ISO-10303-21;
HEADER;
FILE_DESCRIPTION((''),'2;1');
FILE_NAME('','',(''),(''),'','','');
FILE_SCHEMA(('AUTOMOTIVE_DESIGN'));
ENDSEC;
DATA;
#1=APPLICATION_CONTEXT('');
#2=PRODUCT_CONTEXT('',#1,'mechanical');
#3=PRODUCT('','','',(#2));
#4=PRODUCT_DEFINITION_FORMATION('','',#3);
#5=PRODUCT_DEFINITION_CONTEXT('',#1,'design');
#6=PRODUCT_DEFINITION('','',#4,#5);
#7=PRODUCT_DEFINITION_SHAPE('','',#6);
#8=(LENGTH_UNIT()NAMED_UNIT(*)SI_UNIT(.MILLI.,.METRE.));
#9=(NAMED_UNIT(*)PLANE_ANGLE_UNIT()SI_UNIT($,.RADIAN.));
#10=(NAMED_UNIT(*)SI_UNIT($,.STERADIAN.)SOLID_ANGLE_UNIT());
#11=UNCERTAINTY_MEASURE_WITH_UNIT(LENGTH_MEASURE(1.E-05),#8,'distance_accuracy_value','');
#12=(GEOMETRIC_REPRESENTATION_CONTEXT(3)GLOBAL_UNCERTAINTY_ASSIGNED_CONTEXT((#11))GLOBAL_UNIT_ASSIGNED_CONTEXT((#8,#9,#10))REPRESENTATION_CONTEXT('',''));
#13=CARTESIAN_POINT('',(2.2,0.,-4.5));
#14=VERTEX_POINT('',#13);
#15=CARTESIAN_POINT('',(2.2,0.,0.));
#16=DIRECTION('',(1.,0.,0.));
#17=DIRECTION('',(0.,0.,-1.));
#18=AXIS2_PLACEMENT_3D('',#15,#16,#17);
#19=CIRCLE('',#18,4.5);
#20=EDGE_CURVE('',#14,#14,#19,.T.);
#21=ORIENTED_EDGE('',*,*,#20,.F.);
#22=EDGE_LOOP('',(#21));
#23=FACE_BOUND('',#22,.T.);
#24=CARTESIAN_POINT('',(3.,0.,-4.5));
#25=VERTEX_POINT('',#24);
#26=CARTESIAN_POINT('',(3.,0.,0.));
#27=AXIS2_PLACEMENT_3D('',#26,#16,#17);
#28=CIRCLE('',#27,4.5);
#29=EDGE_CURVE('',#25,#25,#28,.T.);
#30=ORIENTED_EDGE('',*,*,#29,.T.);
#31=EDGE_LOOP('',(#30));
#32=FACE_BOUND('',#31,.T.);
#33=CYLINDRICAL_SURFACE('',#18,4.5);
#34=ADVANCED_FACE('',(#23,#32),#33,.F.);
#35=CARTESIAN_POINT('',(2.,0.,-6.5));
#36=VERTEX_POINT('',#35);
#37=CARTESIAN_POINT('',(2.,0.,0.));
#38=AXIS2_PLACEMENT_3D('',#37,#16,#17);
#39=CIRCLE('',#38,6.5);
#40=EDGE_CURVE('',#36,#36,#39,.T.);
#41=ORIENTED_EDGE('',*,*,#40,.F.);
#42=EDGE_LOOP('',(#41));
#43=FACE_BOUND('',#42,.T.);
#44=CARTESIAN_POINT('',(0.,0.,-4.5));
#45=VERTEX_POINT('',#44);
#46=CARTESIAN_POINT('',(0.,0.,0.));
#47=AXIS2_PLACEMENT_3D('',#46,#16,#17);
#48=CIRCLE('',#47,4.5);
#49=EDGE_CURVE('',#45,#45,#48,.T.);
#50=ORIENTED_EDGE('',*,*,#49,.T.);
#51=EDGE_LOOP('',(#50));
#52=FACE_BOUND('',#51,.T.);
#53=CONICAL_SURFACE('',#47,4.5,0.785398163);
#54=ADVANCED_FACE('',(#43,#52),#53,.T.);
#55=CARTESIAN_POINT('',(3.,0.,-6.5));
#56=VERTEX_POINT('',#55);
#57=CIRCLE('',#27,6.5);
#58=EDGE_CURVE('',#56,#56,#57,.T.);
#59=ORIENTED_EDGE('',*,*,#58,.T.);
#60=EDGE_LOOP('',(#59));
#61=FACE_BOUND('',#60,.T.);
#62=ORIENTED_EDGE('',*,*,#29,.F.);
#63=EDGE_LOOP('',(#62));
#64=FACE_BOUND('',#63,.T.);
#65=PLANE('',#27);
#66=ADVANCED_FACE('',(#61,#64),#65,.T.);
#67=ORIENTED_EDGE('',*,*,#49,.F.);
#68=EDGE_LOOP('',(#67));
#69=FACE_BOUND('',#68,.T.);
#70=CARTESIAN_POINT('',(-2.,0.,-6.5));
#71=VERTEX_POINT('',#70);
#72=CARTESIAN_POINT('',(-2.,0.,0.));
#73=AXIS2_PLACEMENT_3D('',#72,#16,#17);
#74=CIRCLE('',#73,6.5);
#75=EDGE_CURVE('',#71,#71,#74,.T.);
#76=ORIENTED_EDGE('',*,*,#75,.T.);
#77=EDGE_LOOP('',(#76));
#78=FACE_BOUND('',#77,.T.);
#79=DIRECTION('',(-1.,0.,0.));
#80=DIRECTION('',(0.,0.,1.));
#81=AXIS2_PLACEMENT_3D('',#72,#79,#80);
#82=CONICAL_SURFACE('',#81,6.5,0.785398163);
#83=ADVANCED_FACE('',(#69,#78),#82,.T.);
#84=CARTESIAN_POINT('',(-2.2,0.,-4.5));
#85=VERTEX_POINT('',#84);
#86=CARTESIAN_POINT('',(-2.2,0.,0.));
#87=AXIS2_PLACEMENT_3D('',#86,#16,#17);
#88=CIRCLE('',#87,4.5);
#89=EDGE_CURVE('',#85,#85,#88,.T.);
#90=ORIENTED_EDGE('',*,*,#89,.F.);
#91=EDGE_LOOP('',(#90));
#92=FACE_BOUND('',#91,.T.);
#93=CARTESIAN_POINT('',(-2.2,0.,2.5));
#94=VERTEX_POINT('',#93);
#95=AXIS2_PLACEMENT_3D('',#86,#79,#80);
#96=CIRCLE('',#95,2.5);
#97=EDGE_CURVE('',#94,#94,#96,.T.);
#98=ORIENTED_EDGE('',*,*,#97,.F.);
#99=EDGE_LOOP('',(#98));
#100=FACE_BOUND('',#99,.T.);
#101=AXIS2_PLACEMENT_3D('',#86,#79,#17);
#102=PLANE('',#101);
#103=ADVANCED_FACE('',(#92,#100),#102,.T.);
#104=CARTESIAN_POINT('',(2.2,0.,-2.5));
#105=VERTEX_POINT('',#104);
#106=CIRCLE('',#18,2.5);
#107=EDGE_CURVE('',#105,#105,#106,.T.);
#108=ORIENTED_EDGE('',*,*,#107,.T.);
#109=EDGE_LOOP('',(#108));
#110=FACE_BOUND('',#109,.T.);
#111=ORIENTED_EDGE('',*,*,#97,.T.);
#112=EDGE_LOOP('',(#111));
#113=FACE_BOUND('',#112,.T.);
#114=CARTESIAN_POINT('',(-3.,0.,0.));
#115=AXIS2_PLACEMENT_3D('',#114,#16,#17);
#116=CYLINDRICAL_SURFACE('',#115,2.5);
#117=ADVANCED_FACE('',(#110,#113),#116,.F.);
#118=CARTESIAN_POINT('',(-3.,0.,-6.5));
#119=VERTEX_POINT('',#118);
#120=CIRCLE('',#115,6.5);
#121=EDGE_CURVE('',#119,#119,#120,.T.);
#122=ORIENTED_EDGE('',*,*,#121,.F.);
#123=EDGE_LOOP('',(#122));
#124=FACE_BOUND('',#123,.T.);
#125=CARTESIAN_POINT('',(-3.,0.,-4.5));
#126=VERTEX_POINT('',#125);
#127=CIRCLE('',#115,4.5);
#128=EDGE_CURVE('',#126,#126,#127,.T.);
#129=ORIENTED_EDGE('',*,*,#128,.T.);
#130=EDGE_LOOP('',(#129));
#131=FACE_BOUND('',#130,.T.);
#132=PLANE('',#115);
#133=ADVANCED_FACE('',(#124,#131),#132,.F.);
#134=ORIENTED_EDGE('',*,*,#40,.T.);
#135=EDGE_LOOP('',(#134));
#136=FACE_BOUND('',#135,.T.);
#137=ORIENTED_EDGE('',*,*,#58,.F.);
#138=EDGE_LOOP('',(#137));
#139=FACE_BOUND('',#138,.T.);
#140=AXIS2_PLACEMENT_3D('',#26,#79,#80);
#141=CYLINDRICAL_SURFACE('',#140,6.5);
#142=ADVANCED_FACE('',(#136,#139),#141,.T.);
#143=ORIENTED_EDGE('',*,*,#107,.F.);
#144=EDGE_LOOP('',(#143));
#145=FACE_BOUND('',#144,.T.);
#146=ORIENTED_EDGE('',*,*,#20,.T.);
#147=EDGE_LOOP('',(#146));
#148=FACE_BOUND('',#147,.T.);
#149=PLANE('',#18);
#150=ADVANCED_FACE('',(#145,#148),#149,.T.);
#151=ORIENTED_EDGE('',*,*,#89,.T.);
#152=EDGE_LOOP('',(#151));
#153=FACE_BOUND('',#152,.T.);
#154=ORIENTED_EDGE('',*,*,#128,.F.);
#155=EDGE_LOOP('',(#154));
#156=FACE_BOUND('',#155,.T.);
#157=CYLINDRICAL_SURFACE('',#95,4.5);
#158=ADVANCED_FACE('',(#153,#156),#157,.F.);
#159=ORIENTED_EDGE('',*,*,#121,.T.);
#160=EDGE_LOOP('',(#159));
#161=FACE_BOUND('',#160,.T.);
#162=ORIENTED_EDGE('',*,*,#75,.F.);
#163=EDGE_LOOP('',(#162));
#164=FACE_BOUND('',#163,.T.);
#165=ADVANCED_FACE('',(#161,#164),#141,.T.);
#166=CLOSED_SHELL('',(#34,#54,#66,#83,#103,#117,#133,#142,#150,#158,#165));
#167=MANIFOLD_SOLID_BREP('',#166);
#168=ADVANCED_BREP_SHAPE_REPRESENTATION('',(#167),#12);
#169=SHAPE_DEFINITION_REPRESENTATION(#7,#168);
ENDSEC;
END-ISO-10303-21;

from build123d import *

# Parameters (mm, degrees)
SKETCH1_R               = 6.5
BOSS_EXTRUDE1_DEPTH     = 3
SKETCH4_R               = 4.5
CUT_EXTRUDE1_DEPTH      = 0.8
CUT_EXTRUDE2_DEPTH      = 10.669539803
CUT_EXTRUDE2_DEPTH_BACK = 10.669539803
SKETCH5_R               = 2.5


with BuildPart() as part:
    # Sketch1 → Boss-Extrude1 (new, symmetric)
    with BuildSketch(Plane(origin=(0, 0, 0), x_dir=(0, 0, -1), z_dir=(1, 0, 0))):
        Circle(SKETCH1_R)
    extrude(amount=BOSS_EXTRUDE1_DEPTH, both=True)

    # Sketch2 → Cut-Revolve1 (revolve, cut)
    with BuildSketch(Plane.XY):
        Polygon((-2, 6.5), (0, 4.5), (2, 6.5), align=None)
    revolve(axis=Axis((3, 0, 0), (-1, 0, 0)), mode=Mode.SUBTRACT)

    # Sketch4 → Cut-Extrude1 (cut)
    with BuildSketch(Plane(origin=(3, 0, 0), x_dir=(0, 0, -1), z_dir=(1, 0, 0))):
        Circle(SKETCH4_R)
    cut_extrude1 = extrude(amount=-CUT_EXTRUDE1_DEPTH, mode=Mode.SUBTRACT)

    # Mirror1: Cut-Extrude1 across plane
    add(cut_extrude1.mirror(Plane(origin=(0, 0, 0), x_dir=(0, 0, 1), z_dir=(1, 0, 0))), mode=Mode.SUBTRACT)

    # Sketch5 → Cut-Extrude2 (cut, two sides: drawn at the far end of the back side and taken through both)
    with BuildSketch(Plane(origin=(0, 0, 0), x_dir=(0, 0, -1), z_dir=(1, 0, 0)).offset(-CUT_EXTRUDE2_DEPTH_BACK)):
        Circle(SKETCH5_R)
    extrude(amount=CUT_EXTRUDE2_DEPTH + CUT_EXTRUDE2_DEPTH_BACK, mode=Mode.SUBTRACT)


solid = part.part
